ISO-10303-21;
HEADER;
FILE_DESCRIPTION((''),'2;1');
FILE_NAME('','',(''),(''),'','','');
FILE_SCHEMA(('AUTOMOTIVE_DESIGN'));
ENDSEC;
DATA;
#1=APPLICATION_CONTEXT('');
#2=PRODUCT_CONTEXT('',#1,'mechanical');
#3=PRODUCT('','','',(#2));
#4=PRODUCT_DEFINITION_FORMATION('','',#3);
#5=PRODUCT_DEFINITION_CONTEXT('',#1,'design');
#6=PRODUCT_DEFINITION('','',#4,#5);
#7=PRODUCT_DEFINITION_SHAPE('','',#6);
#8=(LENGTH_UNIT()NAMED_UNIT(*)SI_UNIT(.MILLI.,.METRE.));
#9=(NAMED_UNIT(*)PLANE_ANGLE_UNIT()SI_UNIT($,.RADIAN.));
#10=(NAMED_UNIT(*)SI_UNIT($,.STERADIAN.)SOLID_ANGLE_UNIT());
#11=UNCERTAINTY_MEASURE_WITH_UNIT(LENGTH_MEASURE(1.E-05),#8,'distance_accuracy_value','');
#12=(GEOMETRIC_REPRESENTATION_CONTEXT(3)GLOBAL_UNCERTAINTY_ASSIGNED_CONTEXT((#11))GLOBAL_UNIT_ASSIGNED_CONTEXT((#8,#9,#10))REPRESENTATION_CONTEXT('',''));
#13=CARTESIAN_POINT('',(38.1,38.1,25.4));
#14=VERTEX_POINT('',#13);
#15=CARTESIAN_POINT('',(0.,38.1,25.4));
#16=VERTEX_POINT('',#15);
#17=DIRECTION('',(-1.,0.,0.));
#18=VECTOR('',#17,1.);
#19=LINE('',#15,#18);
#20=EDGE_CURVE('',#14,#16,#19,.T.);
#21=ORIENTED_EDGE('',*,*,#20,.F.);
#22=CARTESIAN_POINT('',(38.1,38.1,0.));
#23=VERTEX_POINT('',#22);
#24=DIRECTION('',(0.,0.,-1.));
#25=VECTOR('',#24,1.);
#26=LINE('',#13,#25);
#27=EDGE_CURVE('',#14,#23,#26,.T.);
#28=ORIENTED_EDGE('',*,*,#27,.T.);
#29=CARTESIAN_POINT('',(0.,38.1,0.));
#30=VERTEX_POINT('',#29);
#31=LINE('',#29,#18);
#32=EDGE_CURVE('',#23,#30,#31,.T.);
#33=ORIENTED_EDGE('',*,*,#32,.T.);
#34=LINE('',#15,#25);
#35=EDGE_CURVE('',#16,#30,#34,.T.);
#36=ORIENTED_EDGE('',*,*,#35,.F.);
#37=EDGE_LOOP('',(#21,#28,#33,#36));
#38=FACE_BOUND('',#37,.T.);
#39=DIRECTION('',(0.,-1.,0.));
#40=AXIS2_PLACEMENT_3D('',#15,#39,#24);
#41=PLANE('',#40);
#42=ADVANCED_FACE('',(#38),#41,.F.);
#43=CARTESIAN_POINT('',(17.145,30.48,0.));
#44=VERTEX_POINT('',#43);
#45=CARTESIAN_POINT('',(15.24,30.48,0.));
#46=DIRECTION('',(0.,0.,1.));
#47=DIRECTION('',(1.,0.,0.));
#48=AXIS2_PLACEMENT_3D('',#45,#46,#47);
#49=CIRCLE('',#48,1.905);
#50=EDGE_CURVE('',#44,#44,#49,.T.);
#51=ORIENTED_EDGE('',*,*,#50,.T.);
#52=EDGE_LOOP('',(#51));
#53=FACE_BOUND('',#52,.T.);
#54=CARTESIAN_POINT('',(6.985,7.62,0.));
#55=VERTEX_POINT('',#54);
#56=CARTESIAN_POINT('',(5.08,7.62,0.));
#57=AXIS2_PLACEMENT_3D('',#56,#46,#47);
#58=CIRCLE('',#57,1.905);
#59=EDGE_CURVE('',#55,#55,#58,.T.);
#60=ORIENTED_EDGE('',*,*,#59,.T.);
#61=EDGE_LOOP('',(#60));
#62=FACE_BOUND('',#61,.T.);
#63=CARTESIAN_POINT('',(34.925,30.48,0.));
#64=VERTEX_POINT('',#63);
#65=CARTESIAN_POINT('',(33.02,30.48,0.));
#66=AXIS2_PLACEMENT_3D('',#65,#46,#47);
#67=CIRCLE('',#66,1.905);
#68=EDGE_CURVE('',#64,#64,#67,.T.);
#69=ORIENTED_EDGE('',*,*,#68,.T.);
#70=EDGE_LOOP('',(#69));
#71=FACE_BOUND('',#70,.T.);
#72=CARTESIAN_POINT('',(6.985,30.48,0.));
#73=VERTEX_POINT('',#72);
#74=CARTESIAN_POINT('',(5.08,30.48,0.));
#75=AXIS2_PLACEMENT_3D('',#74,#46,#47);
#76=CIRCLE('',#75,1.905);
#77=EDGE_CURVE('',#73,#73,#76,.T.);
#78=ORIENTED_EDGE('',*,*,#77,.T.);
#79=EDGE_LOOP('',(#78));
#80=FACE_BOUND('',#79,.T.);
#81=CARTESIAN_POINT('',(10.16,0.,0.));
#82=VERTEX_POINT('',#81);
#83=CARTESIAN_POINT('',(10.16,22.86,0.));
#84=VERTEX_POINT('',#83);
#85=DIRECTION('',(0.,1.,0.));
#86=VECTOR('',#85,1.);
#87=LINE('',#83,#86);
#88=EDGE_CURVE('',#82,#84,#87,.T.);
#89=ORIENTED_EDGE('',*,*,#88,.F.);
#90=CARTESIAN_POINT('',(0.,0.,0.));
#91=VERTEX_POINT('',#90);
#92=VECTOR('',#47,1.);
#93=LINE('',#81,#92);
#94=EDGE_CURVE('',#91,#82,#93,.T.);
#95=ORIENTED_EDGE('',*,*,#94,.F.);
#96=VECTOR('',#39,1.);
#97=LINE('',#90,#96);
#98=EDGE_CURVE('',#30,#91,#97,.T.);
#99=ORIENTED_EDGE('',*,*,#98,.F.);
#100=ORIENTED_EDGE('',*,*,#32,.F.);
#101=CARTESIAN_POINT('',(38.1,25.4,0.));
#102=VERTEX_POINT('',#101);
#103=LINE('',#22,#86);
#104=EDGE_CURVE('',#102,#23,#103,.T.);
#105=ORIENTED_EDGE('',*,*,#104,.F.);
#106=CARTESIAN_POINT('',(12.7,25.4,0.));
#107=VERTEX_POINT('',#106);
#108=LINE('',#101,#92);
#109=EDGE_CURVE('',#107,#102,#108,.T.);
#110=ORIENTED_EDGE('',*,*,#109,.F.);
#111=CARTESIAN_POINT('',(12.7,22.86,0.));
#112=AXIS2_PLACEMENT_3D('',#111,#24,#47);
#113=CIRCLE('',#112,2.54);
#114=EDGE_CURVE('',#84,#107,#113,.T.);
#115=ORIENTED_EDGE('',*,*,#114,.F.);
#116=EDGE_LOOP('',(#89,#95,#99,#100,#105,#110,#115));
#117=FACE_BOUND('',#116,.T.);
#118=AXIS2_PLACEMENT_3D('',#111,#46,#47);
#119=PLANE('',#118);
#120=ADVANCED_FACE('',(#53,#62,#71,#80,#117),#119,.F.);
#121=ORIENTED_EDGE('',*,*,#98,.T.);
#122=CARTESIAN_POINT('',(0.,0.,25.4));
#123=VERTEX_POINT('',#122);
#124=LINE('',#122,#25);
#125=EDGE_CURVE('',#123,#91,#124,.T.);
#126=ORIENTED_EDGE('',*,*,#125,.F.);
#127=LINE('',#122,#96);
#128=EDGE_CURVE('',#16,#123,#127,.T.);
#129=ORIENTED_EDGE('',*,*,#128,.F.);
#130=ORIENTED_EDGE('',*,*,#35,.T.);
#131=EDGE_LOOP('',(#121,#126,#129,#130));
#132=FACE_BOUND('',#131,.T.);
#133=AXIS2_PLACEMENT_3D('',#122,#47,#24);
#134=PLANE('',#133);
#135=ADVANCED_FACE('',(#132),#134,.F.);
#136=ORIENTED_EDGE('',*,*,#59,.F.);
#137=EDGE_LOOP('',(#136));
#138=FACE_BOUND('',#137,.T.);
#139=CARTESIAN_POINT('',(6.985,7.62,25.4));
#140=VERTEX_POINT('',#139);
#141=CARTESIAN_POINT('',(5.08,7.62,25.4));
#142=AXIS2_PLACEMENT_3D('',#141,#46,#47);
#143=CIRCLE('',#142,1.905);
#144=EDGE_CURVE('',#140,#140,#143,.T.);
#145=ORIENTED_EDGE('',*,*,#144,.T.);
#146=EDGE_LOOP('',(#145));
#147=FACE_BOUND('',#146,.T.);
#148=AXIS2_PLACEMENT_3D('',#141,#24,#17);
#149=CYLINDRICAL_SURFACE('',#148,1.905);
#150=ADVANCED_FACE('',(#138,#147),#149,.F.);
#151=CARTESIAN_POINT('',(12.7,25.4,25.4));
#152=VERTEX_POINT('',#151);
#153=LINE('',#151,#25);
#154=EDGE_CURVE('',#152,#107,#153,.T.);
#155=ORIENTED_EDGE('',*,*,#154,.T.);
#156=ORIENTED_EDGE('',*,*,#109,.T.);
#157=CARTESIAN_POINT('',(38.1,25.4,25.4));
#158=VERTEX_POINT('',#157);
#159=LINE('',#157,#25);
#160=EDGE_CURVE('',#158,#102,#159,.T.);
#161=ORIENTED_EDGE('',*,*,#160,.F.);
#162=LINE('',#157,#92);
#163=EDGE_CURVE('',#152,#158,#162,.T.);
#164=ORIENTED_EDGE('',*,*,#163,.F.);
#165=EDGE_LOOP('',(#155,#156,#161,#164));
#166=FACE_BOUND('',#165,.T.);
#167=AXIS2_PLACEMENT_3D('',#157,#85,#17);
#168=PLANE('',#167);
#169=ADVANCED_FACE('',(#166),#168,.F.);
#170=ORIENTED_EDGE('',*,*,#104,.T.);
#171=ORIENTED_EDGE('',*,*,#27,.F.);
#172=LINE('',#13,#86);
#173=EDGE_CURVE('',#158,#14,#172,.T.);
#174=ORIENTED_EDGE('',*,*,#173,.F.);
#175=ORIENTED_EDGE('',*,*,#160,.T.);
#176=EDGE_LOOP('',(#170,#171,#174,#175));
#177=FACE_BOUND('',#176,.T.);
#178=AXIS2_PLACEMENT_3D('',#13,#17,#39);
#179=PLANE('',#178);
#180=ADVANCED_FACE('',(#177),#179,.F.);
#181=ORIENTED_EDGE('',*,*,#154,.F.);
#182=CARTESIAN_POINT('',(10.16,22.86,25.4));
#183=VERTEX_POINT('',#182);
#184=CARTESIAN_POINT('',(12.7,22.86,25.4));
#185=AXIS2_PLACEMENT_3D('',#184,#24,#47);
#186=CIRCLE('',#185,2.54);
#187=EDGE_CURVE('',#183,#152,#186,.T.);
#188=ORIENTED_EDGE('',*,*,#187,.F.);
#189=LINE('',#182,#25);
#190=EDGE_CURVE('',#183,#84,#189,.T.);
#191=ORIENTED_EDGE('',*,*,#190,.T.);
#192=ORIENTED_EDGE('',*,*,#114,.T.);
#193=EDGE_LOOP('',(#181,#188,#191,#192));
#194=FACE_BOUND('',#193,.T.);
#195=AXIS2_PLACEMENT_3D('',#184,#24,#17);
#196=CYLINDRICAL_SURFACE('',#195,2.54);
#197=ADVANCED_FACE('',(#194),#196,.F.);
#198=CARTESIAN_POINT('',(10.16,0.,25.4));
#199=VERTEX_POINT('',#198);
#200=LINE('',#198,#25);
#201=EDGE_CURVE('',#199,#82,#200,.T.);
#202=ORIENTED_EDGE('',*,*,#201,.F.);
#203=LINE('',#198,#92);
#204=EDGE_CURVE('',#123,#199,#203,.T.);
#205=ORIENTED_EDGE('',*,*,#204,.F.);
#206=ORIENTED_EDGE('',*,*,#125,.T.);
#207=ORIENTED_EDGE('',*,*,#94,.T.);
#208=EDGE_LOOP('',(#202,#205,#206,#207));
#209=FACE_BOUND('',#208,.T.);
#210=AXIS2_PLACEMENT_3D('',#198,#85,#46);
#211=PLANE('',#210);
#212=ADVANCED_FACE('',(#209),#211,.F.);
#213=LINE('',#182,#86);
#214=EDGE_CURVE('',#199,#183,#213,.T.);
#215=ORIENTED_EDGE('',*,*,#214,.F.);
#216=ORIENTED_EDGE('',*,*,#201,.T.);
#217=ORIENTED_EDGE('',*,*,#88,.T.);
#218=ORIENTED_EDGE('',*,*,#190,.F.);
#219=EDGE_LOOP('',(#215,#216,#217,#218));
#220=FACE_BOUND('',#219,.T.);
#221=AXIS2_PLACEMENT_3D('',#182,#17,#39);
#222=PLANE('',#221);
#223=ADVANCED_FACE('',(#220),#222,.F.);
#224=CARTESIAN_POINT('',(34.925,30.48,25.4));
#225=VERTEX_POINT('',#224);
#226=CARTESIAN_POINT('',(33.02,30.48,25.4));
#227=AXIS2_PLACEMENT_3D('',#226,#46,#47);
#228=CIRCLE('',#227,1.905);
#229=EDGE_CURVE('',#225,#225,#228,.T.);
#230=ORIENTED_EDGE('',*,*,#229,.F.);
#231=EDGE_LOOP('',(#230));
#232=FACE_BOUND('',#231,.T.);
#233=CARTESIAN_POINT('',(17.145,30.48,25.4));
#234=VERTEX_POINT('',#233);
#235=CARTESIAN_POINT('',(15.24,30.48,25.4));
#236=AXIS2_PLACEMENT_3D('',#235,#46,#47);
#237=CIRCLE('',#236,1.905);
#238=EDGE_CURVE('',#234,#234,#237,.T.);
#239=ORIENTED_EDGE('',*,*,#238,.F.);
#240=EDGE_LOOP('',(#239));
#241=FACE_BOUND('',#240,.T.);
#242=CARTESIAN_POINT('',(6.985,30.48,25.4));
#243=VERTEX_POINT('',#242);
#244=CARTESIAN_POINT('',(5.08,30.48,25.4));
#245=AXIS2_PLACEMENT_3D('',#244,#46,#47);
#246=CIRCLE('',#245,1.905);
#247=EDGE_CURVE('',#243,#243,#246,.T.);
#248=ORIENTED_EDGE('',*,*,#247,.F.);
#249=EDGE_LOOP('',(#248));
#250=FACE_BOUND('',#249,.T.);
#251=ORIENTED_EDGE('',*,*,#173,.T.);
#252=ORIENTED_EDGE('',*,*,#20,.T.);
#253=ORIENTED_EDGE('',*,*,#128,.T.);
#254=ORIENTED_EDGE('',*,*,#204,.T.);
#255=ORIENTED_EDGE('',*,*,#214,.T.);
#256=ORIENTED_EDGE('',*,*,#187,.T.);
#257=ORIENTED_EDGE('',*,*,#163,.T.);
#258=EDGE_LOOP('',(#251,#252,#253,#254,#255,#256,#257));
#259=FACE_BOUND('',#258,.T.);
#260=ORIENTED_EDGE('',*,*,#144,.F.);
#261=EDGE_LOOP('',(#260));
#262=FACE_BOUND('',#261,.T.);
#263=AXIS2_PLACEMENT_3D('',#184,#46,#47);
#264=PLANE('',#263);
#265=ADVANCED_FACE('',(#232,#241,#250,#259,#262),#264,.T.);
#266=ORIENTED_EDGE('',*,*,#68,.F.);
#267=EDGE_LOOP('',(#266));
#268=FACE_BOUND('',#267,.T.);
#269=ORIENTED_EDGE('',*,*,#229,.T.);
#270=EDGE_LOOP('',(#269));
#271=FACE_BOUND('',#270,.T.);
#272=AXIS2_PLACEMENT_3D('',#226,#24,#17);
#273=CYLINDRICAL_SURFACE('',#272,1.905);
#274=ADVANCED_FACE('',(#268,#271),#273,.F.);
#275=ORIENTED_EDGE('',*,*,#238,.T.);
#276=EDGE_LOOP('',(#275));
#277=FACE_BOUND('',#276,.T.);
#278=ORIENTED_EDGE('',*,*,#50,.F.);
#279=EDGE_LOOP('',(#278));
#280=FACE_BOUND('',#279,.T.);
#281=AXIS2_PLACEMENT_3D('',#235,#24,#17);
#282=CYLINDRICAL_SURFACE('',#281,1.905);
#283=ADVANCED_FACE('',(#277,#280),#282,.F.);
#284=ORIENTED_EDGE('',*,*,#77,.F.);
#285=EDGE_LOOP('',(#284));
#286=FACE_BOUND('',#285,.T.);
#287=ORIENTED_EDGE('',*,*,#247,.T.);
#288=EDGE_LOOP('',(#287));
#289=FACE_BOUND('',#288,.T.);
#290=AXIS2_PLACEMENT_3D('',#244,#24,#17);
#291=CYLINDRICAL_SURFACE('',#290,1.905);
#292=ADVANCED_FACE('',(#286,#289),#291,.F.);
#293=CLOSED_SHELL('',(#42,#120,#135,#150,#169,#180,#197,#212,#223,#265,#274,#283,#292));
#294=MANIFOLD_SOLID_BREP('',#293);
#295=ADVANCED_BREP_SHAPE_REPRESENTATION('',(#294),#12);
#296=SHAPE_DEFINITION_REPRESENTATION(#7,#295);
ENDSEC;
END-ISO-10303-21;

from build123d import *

# Parameters (mm, degrees)
SKETCH1_R           = 1.905
BOSS_EXTRUDE1_DEPTH = 25.4


with BuildPart() as part:
    # Sketch1 → Boss-Extrude1 (new body)
    with BuildSketch(Plane.XY):
        with BuildLine():
            Line((0, 0), (0, 38.1))
            Line((0, 38.1), (38.1, 38.1))
            Line((38.1, 38.1), (38.1, 25.4))
            Line((38.1, 25.4), (12.7, 25.4))
            ThreePointArc((12.7, 25.4), (10.903948776, 24.656051224), (10.16, 22.86))
            Line((10.16, 22.86), (10.16, 0))
            Line((10.16, 0), (0, 0))
        make_face()
        with Locations((5.08, 30.48)):
            Circle(SKETCH1_R, mode=Mode.SUBTRACT)
        with Locations((5.08, 7.62)):
            Circle(SKETCH1_R, mode=Mode.SUBTRACT)
        with Locations((15.24, 30.48)):
            Circle(SKETCH1_R, mode=Mode.SUBTRACT)
        with Locations((33.02, 30.48)):
            Circle(SKETCH1_R, mode=Mode.SUBTRACT)
    extrude(amount=BOSS_EXTRUDE1_DEPTH)


solid = part.part
